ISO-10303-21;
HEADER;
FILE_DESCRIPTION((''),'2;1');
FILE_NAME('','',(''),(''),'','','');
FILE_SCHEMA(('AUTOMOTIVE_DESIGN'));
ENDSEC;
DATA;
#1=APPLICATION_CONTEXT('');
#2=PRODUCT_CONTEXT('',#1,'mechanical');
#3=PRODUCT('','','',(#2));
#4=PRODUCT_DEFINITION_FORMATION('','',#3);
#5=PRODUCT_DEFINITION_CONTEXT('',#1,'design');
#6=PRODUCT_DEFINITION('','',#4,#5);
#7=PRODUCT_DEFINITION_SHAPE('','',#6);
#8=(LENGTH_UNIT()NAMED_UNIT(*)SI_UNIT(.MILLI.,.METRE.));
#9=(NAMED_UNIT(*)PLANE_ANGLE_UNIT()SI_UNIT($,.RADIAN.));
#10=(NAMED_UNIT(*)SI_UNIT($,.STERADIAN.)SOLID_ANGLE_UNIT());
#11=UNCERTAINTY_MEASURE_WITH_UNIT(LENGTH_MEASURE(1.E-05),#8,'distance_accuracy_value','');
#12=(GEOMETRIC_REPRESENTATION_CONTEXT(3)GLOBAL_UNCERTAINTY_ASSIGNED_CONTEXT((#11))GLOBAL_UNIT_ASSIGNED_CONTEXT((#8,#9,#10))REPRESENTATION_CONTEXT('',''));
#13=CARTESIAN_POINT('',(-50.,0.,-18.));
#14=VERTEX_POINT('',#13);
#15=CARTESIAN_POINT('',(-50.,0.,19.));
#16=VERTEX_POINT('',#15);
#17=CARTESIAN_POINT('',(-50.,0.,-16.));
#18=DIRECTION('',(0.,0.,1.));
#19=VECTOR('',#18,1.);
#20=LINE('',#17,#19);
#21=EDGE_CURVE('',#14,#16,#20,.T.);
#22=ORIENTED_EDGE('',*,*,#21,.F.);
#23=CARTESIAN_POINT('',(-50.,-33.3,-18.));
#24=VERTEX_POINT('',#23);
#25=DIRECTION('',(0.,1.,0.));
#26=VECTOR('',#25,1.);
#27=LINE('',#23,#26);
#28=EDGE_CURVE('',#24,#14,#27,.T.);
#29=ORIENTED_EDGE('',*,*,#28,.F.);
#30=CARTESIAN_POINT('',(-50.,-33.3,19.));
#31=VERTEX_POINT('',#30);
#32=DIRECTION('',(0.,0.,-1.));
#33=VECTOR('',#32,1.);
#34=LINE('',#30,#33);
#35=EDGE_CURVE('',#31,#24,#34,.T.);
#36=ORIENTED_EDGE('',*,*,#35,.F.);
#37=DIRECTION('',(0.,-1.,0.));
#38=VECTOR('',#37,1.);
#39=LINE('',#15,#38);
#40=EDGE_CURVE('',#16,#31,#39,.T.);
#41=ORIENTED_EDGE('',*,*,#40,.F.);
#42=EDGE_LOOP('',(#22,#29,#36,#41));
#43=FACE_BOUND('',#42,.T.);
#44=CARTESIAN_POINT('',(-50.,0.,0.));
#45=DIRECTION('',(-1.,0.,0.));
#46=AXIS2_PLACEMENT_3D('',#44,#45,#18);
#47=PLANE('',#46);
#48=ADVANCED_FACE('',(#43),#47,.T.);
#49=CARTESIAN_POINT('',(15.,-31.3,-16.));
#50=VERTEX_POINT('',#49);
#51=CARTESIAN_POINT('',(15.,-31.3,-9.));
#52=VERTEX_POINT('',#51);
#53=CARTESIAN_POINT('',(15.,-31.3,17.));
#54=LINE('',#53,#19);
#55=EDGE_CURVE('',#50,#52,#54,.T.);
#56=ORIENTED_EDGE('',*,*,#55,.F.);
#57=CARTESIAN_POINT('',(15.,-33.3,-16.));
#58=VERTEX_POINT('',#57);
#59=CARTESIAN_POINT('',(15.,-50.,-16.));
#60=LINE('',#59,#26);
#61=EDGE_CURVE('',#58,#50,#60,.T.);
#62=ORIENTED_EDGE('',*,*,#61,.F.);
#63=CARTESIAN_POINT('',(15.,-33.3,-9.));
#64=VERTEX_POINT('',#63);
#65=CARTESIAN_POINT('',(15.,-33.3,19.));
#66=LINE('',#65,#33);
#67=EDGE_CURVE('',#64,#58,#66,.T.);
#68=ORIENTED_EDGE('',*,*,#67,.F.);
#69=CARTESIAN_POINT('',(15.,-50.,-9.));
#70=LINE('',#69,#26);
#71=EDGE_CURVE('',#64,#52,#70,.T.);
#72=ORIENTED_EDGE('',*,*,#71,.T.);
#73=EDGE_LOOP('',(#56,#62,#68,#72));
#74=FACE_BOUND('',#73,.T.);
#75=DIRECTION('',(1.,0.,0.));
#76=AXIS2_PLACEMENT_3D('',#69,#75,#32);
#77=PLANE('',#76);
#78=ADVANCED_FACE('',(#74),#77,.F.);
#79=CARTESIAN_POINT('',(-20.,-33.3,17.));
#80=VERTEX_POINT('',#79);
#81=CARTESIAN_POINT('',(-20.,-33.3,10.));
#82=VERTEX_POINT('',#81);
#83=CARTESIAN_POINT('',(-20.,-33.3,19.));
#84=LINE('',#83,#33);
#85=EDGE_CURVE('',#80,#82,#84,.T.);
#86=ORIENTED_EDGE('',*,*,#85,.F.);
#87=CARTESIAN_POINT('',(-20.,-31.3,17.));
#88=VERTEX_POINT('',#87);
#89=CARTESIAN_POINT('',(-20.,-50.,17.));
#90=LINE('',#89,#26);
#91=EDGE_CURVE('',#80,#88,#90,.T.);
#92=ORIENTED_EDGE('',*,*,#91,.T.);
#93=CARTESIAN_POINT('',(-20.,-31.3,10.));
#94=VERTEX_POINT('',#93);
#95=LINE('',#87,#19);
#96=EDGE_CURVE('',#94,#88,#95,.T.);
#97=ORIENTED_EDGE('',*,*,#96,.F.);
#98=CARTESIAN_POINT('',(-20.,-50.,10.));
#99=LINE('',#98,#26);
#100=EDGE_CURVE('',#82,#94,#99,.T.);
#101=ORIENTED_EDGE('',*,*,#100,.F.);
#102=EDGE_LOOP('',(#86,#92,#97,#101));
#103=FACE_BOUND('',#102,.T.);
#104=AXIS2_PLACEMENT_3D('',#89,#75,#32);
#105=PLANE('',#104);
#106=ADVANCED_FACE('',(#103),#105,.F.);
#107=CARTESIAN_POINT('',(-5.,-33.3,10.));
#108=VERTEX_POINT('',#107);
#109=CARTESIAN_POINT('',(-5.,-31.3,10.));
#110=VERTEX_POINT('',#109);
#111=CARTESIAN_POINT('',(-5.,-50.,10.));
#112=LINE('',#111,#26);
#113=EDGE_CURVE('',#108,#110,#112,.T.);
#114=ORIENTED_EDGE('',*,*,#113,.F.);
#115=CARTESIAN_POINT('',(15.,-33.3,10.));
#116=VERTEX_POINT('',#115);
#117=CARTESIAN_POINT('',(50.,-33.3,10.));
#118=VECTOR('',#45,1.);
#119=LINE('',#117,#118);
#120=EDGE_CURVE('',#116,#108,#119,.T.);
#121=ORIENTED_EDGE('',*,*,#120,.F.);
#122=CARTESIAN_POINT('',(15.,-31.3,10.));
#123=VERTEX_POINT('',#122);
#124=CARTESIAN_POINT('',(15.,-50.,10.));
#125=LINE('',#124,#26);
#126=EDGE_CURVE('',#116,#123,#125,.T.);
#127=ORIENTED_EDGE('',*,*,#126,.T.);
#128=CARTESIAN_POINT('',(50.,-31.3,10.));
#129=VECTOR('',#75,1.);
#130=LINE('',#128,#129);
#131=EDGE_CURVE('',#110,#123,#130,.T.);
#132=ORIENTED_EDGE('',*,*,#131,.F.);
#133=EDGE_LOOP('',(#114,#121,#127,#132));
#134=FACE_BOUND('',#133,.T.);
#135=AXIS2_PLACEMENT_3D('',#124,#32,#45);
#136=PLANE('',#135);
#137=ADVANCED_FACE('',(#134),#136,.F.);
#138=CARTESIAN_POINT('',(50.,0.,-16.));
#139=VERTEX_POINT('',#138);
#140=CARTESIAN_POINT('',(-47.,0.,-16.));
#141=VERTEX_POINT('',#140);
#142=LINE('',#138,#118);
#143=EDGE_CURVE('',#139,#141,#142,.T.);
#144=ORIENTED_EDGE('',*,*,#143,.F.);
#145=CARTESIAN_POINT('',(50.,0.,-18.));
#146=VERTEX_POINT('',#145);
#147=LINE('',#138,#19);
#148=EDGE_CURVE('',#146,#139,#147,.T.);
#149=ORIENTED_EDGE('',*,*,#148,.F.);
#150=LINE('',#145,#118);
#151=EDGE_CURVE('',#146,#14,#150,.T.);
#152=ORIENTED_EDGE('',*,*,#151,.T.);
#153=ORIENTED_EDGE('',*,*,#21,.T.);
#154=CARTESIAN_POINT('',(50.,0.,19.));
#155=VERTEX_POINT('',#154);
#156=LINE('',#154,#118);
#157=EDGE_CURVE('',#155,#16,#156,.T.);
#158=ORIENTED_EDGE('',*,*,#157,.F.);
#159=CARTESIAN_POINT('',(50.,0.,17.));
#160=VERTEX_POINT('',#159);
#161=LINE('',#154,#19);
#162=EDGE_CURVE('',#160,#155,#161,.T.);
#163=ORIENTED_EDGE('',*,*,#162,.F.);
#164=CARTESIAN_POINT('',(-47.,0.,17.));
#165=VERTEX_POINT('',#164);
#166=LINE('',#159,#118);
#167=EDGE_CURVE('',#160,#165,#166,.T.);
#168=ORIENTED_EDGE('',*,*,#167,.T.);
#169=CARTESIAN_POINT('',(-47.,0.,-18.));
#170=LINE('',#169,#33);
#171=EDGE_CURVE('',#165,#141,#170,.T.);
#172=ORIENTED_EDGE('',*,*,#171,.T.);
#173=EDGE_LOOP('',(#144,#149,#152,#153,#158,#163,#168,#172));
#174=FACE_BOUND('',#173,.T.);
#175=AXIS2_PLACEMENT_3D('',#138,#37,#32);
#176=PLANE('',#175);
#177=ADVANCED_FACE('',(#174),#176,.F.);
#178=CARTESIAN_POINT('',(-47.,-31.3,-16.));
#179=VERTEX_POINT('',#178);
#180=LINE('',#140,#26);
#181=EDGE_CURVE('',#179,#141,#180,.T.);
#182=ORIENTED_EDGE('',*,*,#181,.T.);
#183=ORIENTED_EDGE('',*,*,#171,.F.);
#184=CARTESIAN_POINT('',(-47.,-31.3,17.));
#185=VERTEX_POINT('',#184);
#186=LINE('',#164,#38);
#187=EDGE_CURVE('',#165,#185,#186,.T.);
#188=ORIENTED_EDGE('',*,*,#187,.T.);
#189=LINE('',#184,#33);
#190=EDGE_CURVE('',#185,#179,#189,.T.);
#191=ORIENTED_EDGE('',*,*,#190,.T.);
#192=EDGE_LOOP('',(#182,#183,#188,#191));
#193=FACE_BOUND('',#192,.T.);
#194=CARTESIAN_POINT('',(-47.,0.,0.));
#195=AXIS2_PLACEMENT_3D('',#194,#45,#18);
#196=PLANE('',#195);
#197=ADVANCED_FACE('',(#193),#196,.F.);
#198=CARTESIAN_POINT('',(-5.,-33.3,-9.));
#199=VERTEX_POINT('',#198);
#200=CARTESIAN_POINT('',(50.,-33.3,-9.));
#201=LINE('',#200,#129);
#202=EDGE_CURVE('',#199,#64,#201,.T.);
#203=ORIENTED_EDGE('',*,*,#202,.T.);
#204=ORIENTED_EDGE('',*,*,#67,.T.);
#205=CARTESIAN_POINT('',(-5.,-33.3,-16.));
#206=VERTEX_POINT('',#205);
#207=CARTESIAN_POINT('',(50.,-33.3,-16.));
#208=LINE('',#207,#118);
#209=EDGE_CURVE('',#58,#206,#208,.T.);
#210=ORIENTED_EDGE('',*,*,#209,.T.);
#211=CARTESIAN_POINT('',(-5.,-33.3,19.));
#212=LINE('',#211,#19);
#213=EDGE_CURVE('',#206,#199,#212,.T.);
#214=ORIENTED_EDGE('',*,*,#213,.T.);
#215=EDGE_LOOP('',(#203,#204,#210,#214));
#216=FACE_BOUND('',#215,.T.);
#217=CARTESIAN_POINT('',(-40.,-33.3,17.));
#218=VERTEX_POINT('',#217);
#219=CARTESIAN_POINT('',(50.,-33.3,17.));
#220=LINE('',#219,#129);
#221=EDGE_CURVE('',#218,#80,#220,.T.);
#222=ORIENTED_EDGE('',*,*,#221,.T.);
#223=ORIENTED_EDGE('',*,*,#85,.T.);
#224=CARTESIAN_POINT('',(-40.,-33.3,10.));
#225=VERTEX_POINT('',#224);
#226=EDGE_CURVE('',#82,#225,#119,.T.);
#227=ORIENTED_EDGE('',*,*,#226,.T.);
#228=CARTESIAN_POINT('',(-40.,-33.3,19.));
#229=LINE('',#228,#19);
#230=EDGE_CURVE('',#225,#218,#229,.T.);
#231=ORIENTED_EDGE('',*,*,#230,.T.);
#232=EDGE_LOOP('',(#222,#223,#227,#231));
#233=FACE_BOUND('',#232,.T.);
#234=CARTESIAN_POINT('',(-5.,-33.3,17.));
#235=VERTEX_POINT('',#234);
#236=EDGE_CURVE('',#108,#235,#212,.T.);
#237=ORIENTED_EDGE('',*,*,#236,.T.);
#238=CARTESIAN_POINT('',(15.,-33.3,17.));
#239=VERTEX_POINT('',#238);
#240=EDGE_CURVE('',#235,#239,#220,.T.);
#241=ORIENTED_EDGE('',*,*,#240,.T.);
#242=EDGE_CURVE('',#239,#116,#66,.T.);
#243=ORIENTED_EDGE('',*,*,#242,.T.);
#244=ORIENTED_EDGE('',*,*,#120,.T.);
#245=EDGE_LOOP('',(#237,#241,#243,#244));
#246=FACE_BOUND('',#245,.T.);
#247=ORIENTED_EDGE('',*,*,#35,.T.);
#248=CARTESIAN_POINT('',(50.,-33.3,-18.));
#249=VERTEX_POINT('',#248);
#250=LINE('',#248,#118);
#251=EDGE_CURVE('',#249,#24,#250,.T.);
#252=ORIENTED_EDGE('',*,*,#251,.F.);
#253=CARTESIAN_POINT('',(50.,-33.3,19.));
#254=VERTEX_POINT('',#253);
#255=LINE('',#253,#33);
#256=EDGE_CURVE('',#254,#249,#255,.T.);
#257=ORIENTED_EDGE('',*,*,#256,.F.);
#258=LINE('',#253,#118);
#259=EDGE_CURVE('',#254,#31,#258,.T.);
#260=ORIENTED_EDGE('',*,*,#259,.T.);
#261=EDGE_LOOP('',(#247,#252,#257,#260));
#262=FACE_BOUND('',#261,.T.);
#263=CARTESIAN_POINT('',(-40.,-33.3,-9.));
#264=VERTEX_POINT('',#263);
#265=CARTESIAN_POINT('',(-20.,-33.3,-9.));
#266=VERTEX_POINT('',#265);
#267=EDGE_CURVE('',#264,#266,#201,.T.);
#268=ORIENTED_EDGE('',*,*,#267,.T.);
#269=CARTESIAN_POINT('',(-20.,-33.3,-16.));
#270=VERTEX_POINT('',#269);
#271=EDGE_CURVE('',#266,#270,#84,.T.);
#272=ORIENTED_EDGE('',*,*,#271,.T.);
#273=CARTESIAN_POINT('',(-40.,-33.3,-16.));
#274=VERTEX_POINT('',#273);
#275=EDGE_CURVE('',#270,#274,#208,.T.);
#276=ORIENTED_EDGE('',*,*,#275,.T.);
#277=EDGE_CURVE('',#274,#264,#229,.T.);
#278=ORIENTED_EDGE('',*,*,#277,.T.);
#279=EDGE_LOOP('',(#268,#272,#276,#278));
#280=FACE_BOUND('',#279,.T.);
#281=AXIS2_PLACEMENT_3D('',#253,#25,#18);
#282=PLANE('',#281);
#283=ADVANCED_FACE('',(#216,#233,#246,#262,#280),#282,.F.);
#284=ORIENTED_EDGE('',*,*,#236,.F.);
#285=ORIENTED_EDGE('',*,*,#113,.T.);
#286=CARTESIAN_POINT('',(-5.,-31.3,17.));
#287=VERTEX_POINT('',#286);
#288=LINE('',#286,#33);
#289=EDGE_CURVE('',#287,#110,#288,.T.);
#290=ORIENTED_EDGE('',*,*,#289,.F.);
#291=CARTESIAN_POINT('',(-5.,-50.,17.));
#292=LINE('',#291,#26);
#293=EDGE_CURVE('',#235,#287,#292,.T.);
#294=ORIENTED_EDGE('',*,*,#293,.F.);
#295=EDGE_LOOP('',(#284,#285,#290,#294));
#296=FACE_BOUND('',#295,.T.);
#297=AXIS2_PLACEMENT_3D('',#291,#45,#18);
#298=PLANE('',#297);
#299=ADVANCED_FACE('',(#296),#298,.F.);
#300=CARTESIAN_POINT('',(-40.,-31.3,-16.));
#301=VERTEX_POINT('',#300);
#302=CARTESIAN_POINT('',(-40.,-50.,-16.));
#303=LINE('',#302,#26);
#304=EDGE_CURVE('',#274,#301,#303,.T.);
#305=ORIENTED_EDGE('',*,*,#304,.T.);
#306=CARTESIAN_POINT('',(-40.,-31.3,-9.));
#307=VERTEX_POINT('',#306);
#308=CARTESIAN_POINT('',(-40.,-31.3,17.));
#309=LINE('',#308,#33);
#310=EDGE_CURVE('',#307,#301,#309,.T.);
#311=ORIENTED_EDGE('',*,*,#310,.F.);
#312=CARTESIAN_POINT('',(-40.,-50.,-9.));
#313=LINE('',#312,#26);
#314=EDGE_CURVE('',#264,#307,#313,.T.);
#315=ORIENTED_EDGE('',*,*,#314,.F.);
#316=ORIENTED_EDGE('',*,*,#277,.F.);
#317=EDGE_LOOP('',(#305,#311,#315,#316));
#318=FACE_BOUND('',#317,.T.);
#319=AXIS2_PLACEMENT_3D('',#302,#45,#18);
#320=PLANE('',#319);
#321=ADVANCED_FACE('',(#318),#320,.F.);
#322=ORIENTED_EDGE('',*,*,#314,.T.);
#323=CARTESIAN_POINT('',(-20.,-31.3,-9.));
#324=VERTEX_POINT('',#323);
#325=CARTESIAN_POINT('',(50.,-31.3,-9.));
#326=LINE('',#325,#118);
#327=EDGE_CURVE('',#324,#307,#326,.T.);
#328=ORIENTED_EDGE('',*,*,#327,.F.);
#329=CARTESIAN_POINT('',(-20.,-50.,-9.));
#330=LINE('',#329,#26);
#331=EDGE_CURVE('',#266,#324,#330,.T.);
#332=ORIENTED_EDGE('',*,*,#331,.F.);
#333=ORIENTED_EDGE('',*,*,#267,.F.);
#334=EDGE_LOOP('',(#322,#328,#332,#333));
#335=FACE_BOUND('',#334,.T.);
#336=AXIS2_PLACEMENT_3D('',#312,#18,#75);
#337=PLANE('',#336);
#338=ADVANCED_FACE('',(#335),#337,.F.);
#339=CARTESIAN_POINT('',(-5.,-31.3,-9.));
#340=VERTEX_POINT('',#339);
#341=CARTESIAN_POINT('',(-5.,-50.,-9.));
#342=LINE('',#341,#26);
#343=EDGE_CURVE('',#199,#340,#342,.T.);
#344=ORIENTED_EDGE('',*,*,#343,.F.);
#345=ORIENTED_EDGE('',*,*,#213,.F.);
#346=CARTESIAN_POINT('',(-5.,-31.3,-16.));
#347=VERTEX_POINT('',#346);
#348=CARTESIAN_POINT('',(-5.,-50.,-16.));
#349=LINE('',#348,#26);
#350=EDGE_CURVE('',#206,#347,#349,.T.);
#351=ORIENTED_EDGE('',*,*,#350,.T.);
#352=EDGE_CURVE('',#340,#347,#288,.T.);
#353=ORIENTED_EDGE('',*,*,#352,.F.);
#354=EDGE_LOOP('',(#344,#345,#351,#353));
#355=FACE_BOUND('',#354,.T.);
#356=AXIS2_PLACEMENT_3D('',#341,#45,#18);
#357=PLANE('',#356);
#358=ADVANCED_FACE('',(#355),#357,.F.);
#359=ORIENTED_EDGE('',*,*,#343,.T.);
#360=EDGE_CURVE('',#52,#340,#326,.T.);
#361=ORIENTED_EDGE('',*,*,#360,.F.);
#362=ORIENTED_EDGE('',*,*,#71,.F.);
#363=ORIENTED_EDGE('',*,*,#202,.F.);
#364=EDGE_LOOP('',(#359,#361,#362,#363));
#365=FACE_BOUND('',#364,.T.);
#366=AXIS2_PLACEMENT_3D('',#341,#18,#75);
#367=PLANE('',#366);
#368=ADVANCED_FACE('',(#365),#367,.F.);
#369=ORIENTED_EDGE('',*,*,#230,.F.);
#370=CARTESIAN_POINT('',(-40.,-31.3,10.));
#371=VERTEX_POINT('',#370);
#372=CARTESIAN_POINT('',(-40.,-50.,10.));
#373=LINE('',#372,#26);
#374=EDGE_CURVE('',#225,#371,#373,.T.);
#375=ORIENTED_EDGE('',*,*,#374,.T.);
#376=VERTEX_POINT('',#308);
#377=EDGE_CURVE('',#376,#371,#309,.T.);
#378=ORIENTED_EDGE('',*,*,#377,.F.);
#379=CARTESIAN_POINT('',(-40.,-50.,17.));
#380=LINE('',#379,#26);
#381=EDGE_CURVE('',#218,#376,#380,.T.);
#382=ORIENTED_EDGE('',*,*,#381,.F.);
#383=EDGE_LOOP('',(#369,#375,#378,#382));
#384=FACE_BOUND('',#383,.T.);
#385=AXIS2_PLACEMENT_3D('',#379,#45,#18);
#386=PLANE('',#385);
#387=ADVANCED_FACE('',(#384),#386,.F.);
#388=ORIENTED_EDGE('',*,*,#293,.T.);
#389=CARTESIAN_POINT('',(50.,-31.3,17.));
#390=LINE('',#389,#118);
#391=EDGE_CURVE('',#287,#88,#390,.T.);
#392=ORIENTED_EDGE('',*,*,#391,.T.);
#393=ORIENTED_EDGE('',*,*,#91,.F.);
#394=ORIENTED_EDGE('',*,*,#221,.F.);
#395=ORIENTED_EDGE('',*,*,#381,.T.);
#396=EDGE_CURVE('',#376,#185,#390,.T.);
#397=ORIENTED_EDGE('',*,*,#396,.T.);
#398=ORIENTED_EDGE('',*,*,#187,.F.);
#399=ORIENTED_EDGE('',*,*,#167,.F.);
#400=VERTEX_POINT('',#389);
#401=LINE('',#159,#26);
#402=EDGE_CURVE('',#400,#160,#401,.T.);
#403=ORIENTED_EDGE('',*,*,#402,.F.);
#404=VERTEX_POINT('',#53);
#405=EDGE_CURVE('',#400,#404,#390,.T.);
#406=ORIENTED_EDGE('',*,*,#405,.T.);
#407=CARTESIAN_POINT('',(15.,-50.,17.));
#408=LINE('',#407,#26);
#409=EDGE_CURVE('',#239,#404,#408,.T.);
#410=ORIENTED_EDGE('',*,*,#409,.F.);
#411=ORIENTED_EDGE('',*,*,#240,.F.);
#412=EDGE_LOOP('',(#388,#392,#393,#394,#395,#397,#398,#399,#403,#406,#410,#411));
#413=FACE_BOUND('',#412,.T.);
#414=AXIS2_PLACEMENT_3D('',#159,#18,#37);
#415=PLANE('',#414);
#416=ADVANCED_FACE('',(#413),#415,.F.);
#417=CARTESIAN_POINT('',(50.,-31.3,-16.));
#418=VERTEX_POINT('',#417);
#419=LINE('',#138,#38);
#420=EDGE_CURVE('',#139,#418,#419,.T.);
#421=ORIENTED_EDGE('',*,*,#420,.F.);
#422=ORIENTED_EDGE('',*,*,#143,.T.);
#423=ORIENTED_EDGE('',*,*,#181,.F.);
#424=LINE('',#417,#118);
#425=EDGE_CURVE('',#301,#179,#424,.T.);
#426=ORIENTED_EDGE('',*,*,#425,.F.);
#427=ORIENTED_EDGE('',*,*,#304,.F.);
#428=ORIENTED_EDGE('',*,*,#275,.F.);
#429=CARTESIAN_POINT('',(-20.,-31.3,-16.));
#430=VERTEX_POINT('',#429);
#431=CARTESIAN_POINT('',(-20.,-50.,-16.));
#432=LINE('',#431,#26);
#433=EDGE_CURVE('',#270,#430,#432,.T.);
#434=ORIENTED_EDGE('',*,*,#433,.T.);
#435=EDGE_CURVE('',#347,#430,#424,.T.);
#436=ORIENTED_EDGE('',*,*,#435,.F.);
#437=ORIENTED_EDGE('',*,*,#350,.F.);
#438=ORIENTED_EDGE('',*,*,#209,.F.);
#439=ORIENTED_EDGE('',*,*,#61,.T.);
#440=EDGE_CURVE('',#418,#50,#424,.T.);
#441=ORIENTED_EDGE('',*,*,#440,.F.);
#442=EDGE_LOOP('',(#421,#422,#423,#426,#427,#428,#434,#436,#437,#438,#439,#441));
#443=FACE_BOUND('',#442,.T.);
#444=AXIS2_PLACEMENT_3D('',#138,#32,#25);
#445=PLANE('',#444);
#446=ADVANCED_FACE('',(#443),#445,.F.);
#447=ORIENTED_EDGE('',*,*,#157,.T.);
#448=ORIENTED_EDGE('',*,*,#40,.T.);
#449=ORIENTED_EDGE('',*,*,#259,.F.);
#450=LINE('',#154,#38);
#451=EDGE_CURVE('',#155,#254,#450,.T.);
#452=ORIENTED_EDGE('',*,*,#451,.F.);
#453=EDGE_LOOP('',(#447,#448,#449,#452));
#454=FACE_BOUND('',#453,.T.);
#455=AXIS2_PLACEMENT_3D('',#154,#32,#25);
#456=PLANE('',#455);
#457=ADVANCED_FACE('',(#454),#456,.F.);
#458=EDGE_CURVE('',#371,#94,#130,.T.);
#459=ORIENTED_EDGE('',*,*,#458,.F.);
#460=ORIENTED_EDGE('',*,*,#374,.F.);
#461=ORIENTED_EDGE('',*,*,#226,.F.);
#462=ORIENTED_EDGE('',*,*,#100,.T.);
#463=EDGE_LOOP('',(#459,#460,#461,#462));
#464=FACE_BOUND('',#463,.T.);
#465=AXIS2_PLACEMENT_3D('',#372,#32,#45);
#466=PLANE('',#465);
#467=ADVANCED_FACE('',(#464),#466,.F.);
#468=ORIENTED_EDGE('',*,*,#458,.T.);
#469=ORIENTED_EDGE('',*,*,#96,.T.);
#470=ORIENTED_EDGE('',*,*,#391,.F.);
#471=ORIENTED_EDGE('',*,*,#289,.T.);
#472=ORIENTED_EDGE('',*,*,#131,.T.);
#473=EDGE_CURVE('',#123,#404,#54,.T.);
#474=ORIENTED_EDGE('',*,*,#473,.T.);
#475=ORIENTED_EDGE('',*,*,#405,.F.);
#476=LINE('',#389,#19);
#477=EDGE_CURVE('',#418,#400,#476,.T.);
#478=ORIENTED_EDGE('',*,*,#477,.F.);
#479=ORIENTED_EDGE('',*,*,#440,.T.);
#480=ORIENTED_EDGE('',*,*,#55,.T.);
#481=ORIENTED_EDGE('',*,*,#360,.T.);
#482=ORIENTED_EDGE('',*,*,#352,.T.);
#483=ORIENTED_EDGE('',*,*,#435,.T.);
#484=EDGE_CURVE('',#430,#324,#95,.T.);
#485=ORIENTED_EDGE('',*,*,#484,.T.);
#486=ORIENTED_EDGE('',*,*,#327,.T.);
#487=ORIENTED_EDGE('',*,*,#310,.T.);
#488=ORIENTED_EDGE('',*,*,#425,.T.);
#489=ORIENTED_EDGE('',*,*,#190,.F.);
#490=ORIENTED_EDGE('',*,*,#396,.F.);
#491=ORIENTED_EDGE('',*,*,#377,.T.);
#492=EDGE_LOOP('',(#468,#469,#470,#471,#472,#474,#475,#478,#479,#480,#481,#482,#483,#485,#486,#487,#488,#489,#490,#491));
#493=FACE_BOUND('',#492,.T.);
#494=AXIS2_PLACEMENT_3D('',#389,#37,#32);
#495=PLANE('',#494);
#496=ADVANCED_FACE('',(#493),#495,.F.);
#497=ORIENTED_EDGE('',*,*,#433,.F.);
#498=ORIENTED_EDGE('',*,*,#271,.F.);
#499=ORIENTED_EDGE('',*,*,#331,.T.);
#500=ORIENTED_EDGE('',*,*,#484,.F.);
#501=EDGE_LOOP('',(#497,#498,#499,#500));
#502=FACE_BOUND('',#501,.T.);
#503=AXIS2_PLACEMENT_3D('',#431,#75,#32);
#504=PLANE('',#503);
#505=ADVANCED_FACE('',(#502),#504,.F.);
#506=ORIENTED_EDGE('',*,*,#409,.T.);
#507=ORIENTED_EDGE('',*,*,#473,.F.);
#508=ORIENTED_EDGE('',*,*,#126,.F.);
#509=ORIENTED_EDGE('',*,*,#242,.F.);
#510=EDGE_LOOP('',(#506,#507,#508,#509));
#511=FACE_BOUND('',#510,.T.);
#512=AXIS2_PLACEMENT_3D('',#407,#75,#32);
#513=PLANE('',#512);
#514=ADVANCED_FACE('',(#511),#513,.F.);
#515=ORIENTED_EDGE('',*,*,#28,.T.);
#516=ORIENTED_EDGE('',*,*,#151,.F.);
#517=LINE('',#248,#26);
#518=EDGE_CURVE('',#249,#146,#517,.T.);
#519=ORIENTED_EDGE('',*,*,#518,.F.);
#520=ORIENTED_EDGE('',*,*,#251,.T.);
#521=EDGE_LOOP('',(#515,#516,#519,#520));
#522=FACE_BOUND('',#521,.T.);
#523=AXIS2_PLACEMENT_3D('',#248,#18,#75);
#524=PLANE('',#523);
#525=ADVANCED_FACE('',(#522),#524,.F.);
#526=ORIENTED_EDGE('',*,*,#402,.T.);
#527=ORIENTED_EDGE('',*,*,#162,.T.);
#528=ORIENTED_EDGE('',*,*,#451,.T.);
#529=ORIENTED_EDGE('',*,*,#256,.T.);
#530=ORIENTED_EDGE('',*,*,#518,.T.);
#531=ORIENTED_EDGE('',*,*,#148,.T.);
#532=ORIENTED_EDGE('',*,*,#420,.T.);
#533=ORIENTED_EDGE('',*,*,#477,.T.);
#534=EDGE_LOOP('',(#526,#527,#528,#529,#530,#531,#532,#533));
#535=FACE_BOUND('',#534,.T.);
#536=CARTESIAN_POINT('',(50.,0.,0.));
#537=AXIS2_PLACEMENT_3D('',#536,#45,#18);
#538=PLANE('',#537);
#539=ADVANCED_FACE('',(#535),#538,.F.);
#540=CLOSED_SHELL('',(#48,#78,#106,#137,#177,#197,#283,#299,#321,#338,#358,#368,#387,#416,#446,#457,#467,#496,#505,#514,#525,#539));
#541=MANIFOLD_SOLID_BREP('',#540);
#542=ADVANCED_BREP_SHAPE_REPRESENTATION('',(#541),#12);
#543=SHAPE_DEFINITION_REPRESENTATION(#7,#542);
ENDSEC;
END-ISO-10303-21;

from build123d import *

# Parameters (mm, degrees)
BOSS_EXTRUDE1_DEPTH = 50
SKETCH2_W           = 37
SKETCH2_H           = 33.3
BOSS_EXTRUDE2_DEPTH = 3
SKETCH3_W           = 20
SKETCH3_H           = 7
CUT_EXTRUDE1_DEPTH  = 50


with BuildPart() as part:
    # Sketch1 → Boss-Extrude1 (new body, symmetric)
    with BuildSketch(Plane(origin=(0, 0, 0), x_dir=(0, 0, -1), z_dir=(1, 0, 0))):
        Polygon((16, 0), (18, 0), (18, -33.3), (-19, -33.3), (-19, 0), (-17, 0), (-17, -31.3), (16, -31.3), align=None)
    extrude(amount=BOSS_EXTRUDE1_DEPTH, both=True)

    # Sketch2 → Boss-Extrude2 (add)
    with BuildSketch(Plane.ZY.offset(50)):
        with Locations((0.5, -16.65)):
            Rectangle(SKETCH2_W, SKETCH2_H)
    extrude(amount=-BOSS_EXTRUDE2_DEPTH)

    # Sketch3 → Cut-Extrude1 (cut)
    with BuildSketch(Plane(origin=(0, 0, 0), x_dir=(1, 0, 0), z_dir=(0, 1, 0))):
        with Locations((-30, -13.5)):
            Rectangle(SKETCH3_W, SKETCH3_H)
        with Locations((5, -13.5)):
            Rectangle(SKETCH3_W, SKETCH3_H)
        with Locations((-30, 12.5)):
            Rectangle(SKETCH3_W, SKETCH3_H)
        with Locations((5, 12.5)):
            Rectangle(SKETCH3_W, SKETCH3_H)
    extrude(amount=-CUT_EXTRUDE1_DEPTH, mode=Mode.SUBTRACT)


solid = part.part
